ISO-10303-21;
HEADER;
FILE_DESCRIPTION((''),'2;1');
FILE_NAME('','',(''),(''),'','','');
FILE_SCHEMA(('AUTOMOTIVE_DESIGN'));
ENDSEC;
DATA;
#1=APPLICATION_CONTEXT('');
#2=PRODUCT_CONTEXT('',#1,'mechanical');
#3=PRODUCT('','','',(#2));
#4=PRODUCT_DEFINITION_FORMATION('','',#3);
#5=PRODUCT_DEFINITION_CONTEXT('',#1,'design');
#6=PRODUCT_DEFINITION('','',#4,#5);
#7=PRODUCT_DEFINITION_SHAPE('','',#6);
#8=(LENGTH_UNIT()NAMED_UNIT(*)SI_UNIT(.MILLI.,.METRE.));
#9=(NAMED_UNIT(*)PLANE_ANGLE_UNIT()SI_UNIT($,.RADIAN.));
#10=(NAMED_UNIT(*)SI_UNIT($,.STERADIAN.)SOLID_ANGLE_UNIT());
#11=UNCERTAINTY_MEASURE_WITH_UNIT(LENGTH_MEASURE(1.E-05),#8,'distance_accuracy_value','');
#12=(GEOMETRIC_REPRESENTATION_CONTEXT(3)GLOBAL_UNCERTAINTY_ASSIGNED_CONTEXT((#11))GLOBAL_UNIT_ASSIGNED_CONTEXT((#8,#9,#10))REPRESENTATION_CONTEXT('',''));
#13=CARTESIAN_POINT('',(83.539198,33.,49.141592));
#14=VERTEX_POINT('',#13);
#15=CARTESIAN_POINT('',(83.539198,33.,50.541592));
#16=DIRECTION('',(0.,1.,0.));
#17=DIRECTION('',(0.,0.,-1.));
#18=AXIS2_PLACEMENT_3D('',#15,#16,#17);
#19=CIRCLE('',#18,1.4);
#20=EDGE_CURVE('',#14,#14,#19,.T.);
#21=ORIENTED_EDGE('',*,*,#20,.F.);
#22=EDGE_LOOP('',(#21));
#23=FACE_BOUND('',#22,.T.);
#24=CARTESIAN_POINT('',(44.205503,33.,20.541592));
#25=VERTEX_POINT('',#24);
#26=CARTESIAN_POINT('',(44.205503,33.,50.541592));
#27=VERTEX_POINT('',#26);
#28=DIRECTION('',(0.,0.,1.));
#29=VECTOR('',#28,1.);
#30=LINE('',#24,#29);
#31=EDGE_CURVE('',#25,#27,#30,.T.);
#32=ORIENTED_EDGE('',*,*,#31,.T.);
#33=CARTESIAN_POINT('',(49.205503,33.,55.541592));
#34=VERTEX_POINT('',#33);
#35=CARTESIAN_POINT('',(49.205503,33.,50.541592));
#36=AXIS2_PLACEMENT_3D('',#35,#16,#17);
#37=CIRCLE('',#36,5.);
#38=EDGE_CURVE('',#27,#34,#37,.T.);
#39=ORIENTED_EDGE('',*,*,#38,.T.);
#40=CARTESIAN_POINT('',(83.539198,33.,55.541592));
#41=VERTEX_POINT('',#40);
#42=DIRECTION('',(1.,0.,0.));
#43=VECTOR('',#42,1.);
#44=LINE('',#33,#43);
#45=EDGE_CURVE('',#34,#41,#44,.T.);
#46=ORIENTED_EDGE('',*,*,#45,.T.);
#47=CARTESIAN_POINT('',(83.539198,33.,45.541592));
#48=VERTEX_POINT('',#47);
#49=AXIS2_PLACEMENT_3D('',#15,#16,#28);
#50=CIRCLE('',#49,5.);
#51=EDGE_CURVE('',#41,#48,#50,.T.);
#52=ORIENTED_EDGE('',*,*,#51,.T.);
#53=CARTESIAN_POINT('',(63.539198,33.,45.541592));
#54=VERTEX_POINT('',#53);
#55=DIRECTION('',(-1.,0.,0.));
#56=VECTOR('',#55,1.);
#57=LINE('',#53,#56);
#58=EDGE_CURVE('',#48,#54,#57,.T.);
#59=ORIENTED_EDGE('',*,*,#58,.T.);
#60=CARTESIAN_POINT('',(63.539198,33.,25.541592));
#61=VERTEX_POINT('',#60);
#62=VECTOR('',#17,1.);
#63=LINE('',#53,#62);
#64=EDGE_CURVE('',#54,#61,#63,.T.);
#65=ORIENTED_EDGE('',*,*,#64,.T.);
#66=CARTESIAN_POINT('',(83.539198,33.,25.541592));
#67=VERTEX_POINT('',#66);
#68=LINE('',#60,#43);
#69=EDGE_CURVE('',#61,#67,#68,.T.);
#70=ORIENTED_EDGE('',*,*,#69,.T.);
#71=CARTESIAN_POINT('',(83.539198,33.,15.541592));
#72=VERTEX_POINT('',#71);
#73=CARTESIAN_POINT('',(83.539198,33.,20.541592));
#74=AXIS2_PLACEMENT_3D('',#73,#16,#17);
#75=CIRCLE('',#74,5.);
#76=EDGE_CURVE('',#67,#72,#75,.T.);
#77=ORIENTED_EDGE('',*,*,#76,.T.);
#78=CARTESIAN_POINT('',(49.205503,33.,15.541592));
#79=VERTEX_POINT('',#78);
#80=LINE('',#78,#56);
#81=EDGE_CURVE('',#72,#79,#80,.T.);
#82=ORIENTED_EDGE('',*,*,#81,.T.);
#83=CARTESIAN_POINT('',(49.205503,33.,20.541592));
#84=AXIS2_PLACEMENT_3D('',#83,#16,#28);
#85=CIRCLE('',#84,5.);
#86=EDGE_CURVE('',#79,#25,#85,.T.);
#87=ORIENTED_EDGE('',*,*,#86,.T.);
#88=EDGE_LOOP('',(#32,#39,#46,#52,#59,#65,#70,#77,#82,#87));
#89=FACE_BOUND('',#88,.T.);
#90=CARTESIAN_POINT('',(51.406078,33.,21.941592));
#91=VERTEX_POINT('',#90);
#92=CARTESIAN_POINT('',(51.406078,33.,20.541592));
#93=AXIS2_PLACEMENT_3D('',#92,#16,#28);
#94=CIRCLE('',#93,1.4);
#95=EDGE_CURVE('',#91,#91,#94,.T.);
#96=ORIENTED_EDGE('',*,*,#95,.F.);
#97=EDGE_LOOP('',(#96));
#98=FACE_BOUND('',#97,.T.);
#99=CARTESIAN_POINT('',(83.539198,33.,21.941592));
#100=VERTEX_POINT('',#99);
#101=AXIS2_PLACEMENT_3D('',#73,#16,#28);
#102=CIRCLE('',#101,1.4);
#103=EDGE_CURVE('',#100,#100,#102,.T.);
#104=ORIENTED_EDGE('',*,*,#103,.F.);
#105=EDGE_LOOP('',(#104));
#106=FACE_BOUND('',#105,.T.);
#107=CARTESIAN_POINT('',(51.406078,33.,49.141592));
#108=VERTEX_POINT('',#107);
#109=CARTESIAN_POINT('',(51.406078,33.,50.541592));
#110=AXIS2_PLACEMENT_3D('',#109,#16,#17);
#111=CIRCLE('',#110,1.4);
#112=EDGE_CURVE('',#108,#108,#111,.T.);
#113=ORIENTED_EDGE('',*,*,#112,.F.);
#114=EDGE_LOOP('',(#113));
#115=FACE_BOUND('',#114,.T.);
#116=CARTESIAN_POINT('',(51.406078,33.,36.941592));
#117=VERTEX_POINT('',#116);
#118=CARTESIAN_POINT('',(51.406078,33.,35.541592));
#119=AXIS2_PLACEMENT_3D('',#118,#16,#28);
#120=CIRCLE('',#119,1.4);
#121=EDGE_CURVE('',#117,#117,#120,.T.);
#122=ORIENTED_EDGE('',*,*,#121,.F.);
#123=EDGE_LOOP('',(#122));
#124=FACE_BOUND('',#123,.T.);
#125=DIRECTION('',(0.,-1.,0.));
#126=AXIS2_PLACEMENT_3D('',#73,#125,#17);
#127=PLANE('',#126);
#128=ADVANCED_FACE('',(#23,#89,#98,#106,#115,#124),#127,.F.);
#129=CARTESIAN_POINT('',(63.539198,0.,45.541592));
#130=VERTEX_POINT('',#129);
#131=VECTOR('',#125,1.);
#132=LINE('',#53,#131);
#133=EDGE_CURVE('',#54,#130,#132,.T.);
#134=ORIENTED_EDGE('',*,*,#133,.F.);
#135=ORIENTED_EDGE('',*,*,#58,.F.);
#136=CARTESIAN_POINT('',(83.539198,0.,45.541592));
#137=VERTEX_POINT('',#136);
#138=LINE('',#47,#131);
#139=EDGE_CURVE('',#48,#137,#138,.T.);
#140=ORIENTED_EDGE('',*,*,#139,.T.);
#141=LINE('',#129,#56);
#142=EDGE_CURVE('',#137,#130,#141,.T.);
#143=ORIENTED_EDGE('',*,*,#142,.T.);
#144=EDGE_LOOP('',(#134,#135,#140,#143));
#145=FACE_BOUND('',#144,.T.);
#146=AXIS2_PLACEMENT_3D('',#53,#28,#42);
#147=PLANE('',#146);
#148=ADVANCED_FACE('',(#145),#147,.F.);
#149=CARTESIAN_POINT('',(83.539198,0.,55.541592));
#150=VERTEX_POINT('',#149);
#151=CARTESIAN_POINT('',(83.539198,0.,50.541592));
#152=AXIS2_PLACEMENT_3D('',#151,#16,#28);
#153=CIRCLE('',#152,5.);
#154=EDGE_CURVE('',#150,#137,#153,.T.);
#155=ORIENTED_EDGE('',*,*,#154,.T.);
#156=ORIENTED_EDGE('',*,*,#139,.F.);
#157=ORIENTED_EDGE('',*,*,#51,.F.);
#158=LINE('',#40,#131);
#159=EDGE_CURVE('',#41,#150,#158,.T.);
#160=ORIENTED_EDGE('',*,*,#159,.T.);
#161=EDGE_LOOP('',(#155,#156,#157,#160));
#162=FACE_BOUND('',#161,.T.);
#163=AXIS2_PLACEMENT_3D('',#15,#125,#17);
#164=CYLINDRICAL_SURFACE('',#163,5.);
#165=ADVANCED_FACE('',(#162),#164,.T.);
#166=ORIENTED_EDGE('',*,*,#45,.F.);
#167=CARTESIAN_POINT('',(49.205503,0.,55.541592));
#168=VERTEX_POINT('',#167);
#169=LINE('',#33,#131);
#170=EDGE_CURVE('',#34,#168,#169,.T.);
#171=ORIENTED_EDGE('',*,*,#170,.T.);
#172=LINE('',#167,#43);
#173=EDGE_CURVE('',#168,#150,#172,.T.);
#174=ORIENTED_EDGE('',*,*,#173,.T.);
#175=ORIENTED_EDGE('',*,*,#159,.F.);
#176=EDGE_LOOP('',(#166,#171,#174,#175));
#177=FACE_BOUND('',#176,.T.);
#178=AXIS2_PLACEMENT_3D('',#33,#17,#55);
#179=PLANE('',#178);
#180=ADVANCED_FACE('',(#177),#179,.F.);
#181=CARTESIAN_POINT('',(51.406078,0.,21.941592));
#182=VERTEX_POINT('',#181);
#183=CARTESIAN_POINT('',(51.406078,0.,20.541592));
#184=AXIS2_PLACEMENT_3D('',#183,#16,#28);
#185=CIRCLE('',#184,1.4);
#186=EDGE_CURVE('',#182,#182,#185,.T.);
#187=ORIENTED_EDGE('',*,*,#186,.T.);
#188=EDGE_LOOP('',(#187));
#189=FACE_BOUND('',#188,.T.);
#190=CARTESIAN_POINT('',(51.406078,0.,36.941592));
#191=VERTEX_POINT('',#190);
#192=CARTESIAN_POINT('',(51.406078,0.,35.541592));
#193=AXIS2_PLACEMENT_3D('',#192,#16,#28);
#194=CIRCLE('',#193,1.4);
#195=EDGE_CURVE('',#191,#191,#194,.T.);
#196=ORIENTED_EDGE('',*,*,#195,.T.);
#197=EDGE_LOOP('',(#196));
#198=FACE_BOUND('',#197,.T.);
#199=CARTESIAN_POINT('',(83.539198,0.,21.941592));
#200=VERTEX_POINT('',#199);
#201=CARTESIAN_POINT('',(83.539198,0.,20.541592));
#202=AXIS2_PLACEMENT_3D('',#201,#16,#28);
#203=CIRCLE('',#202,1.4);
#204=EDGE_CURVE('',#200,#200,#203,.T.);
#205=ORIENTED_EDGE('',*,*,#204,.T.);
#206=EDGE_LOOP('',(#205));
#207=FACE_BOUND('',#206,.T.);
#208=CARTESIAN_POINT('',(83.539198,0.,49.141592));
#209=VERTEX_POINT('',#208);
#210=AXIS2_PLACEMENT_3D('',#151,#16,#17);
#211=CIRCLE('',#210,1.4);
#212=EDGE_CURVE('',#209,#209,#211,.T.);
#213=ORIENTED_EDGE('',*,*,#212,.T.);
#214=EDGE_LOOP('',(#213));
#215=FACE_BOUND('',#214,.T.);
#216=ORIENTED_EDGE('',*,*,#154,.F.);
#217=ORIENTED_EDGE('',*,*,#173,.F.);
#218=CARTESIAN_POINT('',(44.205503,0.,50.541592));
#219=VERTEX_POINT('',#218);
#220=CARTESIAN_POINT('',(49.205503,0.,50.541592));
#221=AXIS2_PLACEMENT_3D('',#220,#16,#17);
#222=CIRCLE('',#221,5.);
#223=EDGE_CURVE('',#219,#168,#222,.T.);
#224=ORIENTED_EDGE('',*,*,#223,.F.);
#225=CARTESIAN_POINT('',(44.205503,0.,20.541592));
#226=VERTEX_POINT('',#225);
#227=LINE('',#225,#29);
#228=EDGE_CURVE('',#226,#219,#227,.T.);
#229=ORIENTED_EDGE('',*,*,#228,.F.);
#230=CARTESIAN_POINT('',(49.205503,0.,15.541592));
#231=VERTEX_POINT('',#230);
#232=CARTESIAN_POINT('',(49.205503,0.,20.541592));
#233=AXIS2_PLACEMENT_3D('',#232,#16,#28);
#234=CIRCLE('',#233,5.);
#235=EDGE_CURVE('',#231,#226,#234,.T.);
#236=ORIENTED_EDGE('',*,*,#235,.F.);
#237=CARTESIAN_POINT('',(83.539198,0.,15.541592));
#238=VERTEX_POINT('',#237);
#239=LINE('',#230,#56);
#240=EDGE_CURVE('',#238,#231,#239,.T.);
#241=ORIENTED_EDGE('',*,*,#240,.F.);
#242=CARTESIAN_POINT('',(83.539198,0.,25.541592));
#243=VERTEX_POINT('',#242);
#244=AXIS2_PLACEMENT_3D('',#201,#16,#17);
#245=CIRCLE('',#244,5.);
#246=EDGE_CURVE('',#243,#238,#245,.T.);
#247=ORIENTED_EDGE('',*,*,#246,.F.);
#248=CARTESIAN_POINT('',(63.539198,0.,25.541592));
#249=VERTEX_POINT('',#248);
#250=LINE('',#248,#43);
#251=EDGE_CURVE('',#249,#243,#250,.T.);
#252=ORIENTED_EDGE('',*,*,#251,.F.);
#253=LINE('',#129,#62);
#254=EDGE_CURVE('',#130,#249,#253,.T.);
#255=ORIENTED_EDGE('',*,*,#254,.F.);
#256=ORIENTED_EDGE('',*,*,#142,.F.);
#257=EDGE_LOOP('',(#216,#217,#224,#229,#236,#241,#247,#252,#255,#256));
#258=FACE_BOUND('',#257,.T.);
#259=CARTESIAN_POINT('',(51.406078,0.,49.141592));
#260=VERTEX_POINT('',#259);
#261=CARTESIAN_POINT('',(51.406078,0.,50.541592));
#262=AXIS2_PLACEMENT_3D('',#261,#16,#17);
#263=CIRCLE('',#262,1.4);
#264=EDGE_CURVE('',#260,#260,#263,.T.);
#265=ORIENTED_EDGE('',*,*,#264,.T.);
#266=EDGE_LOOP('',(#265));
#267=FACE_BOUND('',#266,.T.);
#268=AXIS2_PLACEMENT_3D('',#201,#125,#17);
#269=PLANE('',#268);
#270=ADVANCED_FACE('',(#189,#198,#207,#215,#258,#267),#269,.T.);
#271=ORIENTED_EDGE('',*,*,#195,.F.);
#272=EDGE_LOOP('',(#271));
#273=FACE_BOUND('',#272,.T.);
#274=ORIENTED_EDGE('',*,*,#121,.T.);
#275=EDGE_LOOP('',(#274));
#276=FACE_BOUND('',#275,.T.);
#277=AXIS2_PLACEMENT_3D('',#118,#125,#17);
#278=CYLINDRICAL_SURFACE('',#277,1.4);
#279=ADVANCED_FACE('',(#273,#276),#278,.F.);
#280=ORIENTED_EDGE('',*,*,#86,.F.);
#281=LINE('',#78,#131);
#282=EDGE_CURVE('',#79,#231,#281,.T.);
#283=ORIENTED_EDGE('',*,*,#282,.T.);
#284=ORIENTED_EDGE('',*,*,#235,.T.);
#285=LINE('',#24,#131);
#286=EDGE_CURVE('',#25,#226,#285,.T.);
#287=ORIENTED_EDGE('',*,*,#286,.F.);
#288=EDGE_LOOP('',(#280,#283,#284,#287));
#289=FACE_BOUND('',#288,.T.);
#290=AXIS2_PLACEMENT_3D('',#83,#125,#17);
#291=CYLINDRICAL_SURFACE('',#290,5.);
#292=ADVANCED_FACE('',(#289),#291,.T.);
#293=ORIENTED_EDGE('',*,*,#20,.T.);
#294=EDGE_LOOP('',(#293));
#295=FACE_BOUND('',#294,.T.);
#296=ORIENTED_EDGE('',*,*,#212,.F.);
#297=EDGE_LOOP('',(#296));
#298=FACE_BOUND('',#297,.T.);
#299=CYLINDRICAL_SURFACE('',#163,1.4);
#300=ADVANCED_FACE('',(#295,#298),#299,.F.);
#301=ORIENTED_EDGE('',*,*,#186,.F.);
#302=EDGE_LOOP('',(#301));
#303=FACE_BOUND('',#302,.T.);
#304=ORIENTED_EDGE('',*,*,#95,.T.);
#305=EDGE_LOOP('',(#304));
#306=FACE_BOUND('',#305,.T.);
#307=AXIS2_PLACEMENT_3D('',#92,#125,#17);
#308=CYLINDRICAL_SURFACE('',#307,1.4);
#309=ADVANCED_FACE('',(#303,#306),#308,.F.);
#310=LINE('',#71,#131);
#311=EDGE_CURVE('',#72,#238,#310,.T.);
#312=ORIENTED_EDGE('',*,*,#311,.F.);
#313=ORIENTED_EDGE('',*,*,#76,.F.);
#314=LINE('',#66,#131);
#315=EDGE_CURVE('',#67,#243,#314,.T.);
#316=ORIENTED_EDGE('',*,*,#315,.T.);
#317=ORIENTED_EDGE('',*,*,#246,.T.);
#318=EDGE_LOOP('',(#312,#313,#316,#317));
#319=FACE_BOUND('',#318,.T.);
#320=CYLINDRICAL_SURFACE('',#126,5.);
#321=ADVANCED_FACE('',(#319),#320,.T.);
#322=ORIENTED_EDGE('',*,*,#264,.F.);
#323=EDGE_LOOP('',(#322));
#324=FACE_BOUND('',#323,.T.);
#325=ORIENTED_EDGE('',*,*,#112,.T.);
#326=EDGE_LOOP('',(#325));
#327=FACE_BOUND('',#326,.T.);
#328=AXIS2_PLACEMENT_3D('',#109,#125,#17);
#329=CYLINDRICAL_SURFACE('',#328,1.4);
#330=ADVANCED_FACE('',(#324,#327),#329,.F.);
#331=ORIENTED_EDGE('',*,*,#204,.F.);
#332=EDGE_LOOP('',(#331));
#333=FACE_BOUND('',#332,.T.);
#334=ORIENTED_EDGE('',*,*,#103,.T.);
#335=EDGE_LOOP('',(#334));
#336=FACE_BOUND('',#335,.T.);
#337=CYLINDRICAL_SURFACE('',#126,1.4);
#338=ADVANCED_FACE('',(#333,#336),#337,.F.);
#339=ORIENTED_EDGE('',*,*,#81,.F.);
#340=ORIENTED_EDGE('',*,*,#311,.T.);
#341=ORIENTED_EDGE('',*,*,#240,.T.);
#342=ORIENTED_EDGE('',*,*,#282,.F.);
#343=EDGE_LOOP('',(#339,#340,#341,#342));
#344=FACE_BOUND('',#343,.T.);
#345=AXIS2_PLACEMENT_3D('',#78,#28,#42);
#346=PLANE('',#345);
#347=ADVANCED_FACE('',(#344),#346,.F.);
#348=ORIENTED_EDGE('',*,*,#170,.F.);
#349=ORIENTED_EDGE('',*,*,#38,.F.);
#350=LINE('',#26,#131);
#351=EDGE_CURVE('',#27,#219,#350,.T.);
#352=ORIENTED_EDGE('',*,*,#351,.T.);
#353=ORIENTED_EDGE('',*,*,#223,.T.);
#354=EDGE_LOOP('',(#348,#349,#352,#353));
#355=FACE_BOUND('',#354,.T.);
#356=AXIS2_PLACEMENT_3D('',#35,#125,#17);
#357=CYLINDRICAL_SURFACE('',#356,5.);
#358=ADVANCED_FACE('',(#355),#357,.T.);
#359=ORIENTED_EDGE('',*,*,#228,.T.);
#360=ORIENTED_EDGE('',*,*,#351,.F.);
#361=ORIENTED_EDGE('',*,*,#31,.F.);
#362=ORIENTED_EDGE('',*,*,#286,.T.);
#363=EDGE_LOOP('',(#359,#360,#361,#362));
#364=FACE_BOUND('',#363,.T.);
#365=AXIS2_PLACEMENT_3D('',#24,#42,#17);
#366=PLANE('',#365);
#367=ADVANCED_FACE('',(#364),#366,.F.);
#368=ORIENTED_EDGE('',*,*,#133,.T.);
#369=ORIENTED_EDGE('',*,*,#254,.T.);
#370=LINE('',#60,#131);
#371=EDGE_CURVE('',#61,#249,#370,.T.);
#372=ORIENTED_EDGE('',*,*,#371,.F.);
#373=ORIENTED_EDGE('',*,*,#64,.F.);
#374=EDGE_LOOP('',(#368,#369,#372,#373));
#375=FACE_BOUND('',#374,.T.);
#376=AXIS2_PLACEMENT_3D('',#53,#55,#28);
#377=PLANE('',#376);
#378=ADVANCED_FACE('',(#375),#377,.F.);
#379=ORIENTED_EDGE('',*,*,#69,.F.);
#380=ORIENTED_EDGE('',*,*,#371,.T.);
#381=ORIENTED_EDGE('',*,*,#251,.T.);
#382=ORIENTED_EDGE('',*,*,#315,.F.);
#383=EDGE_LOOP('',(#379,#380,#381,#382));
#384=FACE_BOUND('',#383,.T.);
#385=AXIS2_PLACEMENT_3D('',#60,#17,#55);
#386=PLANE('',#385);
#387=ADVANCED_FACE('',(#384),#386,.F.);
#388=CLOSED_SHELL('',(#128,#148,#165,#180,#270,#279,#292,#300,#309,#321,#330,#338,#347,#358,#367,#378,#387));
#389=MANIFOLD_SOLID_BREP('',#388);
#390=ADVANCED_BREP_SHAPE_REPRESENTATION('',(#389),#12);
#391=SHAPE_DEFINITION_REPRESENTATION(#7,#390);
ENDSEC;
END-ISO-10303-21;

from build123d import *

# Parameters (mm, degrees)
SKETCH_1_R      = 1.4
EXTRUDE_1_DEPTH = 33


with BuildPart() as part:
    # 草图1 → 凸台-拉伸1 (new body)
    with BuildSketch(Plane(origin=(0, 0, 0), x_dir=(1, 0, 0), z_dir=(0, 1, 0))):
        with BuildLine():
            Line((63.539198291, -45.541591726), (63.539198291, -25.541591726))
            Line((63.539198291, -25.541591726), (83.539198291, -25.541591726))
            ThreePointArc((83.539198291, -25.541591726), (88.539198291, -20.541591726), (83.539198291, -15.541591726))
            Line((83.539198291, -15.541591726), (49.205502665, -15.541591726))
            ThreePointArc((49.205502665, -15.541591726), (45.669968759, -17.006057821), (44.205502665, -20.541591726))
            Line((44.205502665, -20.541591726), (44.205502665, -50.541591726))
            ThreePointArc((44.205502665, -50.541591726), (45.669968759, -54.077125632), (49.205502665, -55.541591726))
            Line((49.205502665, -55.541591726), (83.539198291, -55.541591726))
            ThreePointArc((83.539198291, -55.541591726), (88.539198291, -50.541591726), (83.539198291, -45.541591726))
            Line((83.539198291, -45.541591726), (63.539198291, -45.541591726))
        make_face()
        with Locations(Location((83.539198291, -20.541591726, 0), (0, 0, 270))):
            Circle(SKETCH_1_R, mode=Mode.SUBTRACT)
        with Locations(Location((83.539198291, -50.541591726, 0), (0, 0, 90))):
            Circle(SKETCH_1_R, mode=Mode.SUBTRACT)
        with Locations(Location((51.406078432, -20.541591726, 0), (0, 0, 270))):
            Circle(SKETCH_1_R, mode=Mode.SUBTRACT)
        with Locations(Location((51.406078432, -35.541591726, 0), (0, 0, 270))):
            Circle(SKETCH_1_R, mode=Mode.SUBTRACT)
        with Locations(Location((51.406078432, -50.541591726, 0), (0, 0, 90))):
            Circle(SKETCH_1_R, mode=Mode.SUBTRACT)
    extrude(amount=EXTRUDE_1_DEPTH)


solid = part.part
